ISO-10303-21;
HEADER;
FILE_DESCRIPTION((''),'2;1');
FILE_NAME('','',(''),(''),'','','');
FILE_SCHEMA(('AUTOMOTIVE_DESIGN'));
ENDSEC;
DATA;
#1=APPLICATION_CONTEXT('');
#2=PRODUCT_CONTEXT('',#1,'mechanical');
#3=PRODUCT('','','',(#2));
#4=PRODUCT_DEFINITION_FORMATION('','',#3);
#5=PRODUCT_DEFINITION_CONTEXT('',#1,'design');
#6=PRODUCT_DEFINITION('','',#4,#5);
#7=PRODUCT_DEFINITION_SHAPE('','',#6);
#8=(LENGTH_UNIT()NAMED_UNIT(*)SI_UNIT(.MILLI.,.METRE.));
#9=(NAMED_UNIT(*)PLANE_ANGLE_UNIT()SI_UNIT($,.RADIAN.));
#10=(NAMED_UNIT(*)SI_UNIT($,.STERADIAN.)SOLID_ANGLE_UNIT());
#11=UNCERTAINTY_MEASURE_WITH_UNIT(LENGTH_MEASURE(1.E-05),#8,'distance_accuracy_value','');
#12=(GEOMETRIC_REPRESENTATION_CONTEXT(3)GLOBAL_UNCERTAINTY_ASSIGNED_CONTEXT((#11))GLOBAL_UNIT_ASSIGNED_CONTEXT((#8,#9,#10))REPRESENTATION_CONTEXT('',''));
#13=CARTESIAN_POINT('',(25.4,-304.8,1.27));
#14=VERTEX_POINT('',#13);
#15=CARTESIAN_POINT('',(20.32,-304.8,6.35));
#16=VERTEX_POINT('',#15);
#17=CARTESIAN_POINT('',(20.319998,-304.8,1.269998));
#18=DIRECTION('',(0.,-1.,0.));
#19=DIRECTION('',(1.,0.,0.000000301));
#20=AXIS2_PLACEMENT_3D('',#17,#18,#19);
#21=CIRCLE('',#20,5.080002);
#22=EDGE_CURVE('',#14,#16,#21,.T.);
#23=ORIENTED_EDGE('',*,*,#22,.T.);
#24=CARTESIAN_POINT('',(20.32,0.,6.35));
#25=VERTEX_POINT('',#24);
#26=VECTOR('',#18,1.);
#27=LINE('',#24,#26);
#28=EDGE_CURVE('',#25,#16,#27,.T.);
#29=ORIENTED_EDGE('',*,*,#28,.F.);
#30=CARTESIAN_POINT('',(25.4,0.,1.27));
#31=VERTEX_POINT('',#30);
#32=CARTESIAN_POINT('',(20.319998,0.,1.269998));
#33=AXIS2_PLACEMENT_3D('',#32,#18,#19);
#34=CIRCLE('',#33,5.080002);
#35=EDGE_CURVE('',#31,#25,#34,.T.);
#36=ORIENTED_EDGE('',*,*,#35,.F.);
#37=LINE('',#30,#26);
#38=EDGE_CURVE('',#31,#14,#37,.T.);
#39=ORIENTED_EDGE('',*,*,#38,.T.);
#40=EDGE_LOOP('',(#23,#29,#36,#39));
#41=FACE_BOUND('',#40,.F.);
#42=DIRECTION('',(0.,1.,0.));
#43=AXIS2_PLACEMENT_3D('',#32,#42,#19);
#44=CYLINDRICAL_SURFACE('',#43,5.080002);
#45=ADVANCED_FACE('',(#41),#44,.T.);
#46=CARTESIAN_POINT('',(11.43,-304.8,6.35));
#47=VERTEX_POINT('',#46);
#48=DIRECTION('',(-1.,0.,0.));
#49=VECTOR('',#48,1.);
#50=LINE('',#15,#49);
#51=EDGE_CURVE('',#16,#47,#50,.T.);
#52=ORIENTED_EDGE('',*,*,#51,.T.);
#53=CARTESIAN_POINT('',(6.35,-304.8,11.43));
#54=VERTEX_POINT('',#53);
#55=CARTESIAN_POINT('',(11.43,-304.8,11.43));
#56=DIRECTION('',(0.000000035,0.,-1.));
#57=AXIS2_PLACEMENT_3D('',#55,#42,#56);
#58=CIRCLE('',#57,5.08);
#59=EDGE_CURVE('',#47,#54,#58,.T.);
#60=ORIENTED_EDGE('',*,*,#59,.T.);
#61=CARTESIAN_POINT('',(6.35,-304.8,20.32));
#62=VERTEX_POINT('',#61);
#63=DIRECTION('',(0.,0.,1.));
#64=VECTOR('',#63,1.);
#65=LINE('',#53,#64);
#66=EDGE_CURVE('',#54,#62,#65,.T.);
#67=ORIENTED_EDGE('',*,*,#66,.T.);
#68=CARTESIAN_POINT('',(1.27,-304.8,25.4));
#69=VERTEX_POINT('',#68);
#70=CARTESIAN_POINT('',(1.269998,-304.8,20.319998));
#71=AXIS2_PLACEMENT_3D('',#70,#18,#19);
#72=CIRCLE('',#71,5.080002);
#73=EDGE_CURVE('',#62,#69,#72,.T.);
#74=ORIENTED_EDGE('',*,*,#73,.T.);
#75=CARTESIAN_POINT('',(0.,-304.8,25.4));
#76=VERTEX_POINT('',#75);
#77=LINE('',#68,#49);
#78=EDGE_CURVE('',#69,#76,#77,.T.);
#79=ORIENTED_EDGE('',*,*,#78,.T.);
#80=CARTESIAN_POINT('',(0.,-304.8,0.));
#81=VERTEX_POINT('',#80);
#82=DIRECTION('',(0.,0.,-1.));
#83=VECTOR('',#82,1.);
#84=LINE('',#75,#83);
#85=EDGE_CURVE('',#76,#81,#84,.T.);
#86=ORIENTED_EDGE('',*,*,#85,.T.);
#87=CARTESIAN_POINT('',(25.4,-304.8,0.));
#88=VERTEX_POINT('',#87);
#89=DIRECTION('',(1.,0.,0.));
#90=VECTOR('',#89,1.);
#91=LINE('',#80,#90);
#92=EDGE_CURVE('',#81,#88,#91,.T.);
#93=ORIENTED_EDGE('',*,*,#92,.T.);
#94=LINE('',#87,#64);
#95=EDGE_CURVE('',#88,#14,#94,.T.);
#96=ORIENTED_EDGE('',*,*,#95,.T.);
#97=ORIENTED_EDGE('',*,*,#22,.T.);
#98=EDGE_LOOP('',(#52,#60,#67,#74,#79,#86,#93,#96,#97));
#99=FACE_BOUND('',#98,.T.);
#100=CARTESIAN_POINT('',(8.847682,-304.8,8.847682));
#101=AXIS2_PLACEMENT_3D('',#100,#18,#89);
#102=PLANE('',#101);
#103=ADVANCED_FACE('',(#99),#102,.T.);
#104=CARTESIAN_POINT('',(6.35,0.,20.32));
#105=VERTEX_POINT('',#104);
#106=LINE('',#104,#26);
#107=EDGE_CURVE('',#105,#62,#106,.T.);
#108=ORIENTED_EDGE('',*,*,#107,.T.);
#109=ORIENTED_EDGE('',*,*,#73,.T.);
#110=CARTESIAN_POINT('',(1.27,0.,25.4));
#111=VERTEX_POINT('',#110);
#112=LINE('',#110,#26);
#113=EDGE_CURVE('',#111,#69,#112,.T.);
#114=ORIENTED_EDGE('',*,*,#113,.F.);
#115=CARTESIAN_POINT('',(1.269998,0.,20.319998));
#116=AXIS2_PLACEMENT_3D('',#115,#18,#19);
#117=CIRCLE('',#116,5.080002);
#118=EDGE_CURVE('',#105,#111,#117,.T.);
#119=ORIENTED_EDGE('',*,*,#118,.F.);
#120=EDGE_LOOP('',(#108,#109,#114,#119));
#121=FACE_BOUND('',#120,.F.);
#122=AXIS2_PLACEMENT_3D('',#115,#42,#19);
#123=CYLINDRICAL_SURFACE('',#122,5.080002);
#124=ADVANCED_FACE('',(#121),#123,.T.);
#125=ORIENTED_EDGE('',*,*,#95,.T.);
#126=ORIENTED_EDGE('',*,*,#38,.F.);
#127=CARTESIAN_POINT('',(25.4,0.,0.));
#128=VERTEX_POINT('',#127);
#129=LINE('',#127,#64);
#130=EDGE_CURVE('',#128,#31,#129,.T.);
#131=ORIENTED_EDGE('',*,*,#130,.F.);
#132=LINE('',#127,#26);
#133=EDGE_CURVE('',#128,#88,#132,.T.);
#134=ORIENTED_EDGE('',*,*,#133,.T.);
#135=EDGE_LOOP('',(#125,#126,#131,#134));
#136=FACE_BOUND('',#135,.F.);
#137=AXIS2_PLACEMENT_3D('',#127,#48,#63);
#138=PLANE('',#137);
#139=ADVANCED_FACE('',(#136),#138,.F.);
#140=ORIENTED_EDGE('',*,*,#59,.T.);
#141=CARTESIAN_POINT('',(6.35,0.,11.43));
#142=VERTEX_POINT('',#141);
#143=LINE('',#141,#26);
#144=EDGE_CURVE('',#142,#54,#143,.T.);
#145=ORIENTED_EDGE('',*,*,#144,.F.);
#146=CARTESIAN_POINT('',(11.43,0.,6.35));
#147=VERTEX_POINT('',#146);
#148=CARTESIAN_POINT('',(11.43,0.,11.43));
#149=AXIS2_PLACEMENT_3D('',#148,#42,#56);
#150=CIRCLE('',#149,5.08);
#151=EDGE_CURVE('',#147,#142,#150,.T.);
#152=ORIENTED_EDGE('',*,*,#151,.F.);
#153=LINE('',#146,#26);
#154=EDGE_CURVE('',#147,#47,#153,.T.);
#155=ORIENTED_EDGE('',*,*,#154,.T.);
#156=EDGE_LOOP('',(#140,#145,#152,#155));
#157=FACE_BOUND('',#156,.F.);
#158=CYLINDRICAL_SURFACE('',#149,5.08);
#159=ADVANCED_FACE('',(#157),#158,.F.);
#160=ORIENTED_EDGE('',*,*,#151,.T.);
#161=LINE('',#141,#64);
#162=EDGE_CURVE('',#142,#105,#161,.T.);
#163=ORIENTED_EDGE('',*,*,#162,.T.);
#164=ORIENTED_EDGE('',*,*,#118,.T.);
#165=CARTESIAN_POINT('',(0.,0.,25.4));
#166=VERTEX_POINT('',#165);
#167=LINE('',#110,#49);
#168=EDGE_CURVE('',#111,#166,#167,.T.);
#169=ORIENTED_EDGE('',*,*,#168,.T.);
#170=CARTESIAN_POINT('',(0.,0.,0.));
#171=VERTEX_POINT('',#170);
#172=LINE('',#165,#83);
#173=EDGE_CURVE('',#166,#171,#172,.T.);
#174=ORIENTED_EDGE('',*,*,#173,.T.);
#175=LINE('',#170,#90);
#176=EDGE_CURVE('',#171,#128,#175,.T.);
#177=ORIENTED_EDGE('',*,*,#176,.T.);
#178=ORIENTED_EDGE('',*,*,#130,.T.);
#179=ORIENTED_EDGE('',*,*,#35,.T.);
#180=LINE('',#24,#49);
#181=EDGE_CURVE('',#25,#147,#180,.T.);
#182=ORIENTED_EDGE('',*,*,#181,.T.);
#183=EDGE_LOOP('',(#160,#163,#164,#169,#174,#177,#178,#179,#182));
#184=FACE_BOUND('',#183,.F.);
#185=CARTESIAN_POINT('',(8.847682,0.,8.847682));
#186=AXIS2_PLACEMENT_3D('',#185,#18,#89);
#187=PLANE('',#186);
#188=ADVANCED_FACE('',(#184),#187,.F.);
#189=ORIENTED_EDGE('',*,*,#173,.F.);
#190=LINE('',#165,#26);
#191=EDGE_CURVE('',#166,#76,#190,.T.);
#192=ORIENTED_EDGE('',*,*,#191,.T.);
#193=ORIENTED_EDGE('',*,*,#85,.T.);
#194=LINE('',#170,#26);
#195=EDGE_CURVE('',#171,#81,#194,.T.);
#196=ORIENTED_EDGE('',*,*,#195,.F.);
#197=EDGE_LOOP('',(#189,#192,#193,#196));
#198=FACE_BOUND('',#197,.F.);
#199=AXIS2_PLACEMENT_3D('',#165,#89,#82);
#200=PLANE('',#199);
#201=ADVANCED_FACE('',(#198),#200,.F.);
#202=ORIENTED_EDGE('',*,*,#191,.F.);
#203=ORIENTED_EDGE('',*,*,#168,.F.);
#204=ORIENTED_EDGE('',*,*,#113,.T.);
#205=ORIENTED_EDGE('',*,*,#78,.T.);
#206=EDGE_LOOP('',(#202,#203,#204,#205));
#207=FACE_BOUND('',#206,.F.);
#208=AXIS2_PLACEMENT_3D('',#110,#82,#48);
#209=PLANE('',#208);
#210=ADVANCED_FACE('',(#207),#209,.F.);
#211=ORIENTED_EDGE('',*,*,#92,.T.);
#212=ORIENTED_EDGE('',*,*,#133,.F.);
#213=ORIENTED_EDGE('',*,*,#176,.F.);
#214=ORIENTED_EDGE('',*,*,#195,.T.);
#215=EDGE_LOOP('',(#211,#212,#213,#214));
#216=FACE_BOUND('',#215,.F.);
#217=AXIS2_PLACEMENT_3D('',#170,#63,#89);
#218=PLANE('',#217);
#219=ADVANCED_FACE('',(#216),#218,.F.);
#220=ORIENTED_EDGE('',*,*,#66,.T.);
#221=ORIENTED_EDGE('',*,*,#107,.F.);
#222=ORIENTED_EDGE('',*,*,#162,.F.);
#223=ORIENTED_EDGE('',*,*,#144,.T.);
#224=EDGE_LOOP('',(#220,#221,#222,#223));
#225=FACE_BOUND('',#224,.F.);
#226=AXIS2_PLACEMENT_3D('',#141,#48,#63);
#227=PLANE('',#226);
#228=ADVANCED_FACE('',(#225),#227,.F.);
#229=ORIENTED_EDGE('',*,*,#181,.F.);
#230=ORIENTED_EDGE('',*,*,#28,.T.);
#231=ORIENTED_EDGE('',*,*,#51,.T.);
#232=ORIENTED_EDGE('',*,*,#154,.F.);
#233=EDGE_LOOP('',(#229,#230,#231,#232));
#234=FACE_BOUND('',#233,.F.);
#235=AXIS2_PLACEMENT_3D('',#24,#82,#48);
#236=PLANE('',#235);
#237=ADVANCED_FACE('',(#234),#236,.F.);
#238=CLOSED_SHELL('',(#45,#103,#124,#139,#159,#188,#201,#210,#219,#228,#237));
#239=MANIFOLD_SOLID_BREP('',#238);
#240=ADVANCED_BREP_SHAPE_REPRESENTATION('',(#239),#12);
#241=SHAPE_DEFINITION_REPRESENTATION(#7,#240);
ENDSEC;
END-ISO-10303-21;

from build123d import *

# Parameters (mm, degrees)
F1_DEPTH = 304.8


with BuildPart() as f1:
    # F0 (on Front) → F1 (new body)
    with BuildSketch(Plane.XZ):
        with BuildLine():
            Line((0, 25.4), (0, 0))
            Line((0, 0), (25.4, 0))
            Line((25.4, 0), (25.4, 1.27))
            ThreePointArc((25.4, 1.27), (23.912102, 4.862102), (20.32, 6.35))
            Line((20.32, 6.35), (11.43, 6.35))
            ThreePointArc((11.43, 6.35), (7.837898, 7.837897), (6.35, 11.43))
            Line((6.35, 11.43), (6.35, 20.32))
            ThreePointArc((6.35, 20.32), (4.862102, 23.912102), (1.27, 25.4))
            Line((1.27, 25.4), (0, 25.4))
        make_face()
    extrude(amount=F1_DEPTH)


solid = f1.part
